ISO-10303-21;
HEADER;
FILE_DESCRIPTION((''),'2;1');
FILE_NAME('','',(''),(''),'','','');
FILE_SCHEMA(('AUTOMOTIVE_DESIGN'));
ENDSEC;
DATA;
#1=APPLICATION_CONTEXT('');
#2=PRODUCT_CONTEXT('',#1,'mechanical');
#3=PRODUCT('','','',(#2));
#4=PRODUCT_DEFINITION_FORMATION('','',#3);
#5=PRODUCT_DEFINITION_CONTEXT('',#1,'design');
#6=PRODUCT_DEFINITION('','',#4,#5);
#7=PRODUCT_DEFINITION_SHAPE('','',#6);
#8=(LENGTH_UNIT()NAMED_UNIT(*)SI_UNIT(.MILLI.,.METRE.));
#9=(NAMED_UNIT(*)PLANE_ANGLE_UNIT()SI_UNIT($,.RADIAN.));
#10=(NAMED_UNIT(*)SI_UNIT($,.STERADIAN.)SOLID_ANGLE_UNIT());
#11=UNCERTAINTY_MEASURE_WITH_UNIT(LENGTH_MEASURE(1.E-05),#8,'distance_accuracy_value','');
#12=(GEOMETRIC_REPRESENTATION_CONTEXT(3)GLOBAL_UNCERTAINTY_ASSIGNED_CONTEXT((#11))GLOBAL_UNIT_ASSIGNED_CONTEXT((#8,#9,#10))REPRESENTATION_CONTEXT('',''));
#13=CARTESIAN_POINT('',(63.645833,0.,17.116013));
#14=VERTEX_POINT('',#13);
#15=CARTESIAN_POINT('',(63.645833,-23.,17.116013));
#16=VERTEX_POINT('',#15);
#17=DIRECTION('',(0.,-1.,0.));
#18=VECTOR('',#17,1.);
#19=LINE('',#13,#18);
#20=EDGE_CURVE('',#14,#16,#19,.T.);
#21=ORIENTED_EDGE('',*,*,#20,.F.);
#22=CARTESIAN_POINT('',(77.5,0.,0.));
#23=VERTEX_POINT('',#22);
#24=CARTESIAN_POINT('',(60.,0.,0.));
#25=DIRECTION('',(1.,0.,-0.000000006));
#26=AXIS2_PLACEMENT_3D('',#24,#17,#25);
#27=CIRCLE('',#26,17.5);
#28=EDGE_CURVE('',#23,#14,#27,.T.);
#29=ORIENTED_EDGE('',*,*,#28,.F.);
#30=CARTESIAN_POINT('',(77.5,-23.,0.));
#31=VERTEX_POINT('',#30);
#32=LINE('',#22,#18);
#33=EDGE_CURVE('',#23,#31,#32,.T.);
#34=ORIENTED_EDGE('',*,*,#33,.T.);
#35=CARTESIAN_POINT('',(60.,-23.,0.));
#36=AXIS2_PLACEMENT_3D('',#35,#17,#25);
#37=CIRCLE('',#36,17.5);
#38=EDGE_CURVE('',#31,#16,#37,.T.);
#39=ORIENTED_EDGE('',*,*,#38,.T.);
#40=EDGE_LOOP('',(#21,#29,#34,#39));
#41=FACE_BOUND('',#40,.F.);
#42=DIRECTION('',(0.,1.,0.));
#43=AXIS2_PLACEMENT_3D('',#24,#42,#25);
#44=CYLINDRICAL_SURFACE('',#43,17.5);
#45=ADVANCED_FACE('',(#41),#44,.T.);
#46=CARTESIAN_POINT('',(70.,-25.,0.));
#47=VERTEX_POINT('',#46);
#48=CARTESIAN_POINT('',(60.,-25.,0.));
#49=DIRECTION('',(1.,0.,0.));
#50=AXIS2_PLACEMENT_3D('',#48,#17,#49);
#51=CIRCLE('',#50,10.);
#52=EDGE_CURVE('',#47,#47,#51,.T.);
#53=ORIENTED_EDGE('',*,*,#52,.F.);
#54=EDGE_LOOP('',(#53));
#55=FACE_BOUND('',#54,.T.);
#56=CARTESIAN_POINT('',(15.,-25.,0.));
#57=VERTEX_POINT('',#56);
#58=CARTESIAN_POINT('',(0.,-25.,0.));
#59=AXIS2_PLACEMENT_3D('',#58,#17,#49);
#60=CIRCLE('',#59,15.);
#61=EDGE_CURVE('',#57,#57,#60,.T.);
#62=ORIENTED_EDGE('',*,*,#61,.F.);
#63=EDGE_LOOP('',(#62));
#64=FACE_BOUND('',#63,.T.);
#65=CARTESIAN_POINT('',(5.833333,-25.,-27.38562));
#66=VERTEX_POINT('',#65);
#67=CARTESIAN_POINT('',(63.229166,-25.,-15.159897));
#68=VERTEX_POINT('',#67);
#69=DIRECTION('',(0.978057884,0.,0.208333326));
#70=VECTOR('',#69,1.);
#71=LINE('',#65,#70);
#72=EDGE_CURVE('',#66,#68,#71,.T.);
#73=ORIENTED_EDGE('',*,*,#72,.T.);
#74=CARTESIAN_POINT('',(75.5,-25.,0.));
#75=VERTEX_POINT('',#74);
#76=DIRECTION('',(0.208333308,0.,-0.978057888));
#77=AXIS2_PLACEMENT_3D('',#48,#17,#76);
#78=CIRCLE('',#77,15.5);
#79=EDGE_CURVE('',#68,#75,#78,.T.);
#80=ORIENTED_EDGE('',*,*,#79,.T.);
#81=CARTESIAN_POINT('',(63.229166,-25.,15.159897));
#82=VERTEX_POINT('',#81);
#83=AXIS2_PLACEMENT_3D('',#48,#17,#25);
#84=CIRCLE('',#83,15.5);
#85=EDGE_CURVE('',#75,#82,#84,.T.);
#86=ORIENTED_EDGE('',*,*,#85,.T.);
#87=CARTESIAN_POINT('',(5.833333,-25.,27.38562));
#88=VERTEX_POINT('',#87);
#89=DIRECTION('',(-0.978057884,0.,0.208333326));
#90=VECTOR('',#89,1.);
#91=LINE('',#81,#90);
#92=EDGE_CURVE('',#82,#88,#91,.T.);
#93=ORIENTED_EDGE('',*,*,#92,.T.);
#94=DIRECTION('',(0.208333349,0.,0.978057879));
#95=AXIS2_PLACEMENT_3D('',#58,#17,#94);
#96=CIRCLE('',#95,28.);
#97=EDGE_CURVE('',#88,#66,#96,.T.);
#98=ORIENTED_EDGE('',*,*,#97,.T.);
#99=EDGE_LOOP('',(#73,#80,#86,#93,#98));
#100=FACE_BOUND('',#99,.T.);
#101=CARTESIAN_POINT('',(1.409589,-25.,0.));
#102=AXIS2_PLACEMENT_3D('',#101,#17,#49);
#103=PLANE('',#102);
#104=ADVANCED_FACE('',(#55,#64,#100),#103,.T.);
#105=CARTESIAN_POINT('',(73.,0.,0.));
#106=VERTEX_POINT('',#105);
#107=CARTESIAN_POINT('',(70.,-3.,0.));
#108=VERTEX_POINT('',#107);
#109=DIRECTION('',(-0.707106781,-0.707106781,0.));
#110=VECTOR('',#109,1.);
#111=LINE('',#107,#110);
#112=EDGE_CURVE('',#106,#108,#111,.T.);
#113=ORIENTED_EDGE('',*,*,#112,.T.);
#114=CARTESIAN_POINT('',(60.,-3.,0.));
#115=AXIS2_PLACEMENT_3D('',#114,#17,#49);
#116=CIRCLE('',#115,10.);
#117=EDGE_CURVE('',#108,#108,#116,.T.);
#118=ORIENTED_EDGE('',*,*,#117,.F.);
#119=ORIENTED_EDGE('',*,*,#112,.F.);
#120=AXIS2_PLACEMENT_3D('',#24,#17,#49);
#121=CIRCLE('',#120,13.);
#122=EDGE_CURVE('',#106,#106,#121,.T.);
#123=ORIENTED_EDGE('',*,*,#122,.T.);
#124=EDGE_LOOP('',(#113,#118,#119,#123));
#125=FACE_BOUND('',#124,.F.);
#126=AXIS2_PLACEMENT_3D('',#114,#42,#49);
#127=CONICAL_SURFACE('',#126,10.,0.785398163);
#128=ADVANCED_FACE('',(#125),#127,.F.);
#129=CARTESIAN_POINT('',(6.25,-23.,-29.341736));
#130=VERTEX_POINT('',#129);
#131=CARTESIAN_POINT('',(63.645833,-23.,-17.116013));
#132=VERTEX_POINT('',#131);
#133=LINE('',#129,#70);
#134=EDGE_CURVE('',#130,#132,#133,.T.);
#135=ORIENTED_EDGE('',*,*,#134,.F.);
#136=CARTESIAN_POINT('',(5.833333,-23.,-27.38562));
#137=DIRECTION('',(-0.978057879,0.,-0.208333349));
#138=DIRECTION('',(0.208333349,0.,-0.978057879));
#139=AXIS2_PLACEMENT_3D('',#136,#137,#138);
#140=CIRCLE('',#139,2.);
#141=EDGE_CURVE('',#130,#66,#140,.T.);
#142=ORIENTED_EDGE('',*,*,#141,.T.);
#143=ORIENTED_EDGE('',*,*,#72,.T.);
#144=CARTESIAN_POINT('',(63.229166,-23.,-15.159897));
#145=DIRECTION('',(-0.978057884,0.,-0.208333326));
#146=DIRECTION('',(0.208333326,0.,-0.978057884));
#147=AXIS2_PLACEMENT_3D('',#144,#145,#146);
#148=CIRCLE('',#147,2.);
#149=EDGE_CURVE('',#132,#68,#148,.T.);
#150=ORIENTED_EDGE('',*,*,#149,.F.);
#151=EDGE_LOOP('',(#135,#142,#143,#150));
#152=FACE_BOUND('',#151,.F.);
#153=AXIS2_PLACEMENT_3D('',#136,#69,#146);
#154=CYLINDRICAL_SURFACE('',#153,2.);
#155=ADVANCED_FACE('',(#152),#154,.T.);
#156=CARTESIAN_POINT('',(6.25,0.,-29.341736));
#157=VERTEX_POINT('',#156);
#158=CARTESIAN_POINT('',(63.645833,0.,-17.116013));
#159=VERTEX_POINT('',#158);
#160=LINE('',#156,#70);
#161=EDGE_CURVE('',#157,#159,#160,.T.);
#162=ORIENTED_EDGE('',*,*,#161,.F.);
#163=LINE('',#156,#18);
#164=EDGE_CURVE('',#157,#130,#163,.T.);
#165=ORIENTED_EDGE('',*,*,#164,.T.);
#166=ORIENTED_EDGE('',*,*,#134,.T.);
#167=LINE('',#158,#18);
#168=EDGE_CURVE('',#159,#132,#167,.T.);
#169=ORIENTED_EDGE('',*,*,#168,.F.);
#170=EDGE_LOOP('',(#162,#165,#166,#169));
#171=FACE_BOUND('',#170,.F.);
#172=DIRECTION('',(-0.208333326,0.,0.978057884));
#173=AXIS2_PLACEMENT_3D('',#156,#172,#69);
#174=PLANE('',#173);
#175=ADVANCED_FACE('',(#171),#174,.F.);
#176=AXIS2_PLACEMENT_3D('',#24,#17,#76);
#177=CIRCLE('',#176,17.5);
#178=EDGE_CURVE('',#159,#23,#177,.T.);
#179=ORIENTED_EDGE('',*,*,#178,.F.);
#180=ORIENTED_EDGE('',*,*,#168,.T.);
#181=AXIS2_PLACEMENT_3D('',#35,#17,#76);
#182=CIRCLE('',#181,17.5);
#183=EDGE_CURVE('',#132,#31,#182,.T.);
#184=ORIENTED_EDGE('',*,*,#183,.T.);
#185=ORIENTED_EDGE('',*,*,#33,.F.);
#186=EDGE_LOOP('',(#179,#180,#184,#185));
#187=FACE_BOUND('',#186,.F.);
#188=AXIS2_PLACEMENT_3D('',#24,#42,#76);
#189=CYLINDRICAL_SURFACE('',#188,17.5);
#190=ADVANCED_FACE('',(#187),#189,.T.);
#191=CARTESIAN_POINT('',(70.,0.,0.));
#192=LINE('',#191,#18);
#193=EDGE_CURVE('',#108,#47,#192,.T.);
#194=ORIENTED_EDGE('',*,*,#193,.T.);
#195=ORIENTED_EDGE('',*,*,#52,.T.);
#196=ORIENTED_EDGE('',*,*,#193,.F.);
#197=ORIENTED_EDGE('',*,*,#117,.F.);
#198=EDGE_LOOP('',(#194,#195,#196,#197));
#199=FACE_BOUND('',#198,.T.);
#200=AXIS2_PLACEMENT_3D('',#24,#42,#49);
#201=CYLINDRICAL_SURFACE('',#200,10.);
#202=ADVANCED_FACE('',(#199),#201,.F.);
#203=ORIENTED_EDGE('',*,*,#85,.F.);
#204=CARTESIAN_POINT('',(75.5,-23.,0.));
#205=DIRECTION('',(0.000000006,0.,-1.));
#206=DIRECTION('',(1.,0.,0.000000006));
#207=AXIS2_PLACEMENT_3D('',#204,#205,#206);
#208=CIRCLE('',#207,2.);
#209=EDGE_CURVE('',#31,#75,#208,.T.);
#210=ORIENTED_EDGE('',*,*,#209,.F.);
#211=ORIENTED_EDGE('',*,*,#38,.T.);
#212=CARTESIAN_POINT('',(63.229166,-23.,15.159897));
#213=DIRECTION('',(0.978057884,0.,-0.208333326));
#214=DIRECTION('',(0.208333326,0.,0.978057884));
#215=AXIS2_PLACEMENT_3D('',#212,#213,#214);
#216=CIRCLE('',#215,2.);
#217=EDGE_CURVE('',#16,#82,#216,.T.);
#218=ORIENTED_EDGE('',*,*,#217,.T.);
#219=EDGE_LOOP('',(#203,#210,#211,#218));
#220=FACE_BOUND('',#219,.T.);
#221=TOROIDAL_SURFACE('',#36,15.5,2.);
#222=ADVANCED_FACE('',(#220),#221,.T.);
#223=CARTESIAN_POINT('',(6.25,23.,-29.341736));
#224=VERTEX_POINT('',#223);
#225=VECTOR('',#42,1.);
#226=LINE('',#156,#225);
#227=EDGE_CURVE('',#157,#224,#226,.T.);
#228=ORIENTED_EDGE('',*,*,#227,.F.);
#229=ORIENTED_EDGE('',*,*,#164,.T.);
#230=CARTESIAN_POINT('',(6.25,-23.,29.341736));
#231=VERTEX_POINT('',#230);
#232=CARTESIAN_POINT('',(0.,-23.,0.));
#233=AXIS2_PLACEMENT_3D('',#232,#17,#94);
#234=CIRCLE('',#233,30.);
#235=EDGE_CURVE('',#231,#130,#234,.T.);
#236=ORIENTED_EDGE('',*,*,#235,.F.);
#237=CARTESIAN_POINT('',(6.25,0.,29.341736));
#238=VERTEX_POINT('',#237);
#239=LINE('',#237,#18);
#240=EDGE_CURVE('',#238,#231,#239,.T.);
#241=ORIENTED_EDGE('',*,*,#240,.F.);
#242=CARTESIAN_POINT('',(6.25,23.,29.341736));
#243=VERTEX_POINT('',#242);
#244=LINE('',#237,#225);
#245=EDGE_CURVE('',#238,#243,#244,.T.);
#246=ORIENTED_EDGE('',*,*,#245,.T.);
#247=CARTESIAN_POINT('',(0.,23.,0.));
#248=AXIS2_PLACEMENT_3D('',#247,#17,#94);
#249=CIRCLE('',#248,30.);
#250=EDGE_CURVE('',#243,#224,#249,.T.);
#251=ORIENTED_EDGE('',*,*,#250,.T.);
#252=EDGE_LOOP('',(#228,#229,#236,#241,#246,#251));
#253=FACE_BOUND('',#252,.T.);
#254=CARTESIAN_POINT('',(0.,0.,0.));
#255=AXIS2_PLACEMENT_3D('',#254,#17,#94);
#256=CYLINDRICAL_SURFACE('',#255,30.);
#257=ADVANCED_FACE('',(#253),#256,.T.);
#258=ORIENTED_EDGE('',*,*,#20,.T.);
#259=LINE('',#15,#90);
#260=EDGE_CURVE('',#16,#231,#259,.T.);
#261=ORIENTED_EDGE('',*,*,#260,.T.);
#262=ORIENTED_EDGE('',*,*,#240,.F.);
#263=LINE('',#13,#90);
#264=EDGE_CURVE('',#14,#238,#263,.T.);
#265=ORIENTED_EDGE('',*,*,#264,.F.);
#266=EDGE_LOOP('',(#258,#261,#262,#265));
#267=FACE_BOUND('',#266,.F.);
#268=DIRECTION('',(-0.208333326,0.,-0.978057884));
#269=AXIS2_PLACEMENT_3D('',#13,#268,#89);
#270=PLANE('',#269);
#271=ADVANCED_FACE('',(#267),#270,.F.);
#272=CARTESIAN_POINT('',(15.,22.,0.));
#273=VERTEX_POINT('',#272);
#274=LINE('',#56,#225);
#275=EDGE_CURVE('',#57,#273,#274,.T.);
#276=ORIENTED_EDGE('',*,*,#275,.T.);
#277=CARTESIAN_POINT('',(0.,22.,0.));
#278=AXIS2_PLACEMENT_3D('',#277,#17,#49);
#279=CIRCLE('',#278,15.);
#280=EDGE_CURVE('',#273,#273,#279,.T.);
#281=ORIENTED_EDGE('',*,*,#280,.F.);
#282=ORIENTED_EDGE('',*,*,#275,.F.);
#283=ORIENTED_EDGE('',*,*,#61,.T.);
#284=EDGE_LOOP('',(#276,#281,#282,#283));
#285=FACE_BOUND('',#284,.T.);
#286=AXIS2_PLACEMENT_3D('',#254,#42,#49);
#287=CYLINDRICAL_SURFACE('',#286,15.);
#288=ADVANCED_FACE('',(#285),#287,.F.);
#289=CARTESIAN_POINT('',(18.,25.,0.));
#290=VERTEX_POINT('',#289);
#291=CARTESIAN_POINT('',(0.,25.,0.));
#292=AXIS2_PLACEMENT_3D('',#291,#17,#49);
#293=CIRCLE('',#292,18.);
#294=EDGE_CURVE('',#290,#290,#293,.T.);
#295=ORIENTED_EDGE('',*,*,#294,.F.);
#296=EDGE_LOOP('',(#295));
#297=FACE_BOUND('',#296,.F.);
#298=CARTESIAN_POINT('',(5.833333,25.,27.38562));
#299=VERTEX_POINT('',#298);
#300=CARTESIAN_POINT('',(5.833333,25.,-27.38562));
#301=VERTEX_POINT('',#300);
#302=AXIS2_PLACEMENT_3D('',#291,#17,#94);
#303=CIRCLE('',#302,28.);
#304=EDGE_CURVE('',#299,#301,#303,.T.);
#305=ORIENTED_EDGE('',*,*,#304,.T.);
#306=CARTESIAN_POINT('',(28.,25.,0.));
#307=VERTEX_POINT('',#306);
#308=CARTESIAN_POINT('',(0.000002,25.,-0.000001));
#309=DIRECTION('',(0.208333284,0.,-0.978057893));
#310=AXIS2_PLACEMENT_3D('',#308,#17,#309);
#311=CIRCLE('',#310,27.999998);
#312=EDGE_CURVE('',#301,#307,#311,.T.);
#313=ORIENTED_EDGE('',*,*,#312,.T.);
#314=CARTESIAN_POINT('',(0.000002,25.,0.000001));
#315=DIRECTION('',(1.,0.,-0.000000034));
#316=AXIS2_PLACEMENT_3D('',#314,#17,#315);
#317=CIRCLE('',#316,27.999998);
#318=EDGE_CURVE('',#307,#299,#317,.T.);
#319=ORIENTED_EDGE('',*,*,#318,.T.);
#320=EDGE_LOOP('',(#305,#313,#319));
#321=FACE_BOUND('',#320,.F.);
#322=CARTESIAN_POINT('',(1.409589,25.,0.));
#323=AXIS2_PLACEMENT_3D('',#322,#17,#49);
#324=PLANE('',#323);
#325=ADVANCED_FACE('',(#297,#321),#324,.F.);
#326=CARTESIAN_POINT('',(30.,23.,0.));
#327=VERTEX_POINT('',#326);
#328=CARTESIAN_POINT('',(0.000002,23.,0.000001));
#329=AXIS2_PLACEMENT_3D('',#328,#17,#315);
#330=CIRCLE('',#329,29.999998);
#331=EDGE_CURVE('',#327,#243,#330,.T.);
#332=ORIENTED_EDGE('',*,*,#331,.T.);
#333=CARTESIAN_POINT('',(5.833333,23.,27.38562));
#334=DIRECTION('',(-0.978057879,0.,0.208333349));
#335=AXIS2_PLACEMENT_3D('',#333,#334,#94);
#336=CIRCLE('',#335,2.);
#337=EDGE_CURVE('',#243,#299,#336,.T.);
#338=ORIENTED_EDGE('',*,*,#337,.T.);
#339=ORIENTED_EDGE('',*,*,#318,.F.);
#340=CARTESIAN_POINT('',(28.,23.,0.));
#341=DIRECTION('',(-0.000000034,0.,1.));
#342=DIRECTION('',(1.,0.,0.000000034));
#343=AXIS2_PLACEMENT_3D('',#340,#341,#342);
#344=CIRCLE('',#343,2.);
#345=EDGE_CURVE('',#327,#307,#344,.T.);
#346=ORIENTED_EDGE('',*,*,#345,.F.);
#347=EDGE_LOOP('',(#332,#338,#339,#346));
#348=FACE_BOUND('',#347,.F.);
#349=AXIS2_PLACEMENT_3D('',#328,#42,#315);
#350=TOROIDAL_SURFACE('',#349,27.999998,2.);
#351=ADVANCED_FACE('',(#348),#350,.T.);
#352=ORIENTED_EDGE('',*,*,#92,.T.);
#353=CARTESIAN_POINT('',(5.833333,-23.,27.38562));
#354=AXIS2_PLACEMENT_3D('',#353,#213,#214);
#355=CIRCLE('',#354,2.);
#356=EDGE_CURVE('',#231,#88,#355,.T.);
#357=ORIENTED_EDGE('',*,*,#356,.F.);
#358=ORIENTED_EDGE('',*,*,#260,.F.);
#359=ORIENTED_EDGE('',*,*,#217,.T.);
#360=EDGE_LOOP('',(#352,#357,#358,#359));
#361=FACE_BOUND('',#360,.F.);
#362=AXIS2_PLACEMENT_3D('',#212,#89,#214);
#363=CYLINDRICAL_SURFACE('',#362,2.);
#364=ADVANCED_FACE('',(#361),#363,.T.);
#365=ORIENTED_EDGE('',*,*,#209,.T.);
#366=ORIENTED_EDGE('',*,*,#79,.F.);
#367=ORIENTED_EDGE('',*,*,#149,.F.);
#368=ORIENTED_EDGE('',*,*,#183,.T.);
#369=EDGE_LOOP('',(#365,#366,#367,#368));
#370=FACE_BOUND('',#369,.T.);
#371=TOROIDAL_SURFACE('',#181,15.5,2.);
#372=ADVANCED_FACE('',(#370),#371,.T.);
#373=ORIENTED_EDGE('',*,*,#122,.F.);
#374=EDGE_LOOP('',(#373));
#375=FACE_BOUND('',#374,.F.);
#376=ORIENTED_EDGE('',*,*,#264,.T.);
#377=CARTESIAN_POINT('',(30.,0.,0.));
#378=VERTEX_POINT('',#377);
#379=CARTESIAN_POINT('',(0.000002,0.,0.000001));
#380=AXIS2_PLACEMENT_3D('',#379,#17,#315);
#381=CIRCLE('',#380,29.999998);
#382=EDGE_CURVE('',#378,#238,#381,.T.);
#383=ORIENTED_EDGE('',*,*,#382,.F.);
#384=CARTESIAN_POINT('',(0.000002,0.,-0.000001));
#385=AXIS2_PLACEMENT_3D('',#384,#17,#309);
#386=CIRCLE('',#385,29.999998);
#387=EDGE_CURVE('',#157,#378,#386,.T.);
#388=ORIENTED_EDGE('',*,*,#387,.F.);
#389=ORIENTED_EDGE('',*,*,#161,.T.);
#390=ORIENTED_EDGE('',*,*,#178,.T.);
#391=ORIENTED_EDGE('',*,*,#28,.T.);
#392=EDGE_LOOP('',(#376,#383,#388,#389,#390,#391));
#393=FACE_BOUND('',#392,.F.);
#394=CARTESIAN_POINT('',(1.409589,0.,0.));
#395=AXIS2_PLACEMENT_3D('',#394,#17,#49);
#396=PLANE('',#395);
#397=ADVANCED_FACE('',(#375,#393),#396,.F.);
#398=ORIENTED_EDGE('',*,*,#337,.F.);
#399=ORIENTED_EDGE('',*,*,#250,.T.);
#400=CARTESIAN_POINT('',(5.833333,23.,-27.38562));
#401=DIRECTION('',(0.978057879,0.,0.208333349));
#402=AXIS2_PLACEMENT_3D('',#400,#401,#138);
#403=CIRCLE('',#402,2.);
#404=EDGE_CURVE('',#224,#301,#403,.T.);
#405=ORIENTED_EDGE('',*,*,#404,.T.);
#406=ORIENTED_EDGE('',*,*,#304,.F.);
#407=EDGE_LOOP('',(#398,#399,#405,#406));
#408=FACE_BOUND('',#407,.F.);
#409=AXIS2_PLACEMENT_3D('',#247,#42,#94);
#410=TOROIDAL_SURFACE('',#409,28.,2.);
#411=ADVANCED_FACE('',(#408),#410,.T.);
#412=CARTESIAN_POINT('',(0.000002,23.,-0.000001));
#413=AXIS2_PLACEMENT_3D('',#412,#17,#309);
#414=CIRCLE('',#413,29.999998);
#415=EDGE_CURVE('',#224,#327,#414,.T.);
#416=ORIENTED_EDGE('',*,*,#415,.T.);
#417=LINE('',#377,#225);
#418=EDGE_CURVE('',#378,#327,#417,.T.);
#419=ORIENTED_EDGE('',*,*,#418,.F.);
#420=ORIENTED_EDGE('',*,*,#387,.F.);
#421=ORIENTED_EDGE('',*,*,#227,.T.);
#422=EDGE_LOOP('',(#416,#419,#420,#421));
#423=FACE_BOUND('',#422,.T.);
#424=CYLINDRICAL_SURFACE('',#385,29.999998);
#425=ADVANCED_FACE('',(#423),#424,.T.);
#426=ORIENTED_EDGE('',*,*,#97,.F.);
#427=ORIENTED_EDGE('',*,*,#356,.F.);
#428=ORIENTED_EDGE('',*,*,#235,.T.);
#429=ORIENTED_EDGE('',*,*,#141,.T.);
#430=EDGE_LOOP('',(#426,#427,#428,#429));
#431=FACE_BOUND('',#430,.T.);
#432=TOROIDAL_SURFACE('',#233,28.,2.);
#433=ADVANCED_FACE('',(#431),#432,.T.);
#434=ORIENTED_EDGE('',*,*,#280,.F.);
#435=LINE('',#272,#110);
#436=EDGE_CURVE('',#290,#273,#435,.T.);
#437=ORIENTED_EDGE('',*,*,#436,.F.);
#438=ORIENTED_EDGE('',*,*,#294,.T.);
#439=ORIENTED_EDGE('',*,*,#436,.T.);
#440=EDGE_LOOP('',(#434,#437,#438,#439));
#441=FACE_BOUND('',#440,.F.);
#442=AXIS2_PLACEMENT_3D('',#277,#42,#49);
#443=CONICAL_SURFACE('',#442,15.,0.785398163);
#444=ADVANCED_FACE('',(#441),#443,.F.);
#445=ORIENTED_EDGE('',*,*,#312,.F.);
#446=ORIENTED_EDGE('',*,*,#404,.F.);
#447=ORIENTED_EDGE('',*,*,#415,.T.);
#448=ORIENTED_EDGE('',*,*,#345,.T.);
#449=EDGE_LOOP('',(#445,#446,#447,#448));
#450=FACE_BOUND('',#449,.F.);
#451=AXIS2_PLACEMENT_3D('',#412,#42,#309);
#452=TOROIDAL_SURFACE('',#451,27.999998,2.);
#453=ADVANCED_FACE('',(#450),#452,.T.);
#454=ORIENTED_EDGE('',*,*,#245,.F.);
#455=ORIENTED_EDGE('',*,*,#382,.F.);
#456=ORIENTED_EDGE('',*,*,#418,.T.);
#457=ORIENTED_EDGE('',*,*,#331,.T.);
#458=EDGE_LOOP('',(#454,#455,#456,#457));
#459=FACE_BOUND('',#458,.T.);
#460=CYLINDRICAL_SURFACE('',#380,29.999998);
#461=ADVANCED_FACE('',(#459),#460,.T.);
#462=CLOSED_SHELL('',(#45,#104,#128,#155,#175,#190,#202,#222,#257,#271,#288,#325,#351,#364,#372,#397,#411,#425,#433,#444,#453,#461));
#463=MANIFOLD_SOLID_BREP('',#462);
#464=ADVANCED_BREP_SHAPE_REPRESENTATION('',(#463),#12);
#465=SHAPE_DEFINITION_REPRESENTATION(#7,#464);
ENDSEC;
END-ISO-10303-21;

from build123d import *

# Parameters (mm, degrees)
F0_R     = 15
F0_R_2   = 10
F1_DEPTH = 25
F2_DEPTH = 25
F3_R     = 2
F4_SIZE  = 3


with BuildPart() as f1:
    # F0 (on Front) → F1 (new body)
    with BuildSketch(Plane.XZ):
        with BuildLine():
            ThreePointArc((6.25, -29.341736), (23.318448, -18.874586), (30, 0))
            ThreePointArc((30, 0), (23.318448, 18.874586), (6.25, 29.341736))
            ThreePointArc((6.25, 29.341736), (-30, 0), (6.25, -29.341736))
        make_face()
        Circle(F0_R, mode=Mode.SUBTRACT)
        with BuildLine():
            ThreePointArc((6.25, 29.341736), (23.318448, 18.874586), (30, 0))
            ThreePointArc((30, 0), (23.318448, -18.874586), (6.25, -29.341736))
            Line((6.25, -29.341736), (63.645833, -17.116013))
            ThreePointArc((63.645833, -17.116013), (42.5, 0), (63.645833, 17.116013))
            Line((63.645833, 17.116013), (6.25, 29.341736))
        make_face()
        with BuildLine():
            ThreePointArc((77.5, 0), (73.602428, 11.010175), (63.645833, 17.116013))
            ThreePointArc((63.645833, 17.116013), (42.5, 0), (63.645833, -17.116013))
            ThreePointArc((63.645833, -17.116013), (73.602428, -11.010175), (77.5, 0))
        make_face()
        with Locations((60, 0)):
            Circle(F0_R_2, mode=Mode.SUBTRACT)
    extrude(amount=F1_DEPTH)

    # F0 (on Front) → F2 (join)
    with BuildSketch(Plane.XZ):
        with BuildLine():
            ThreePointArc((6.25, -29.341736), (23.318448, -18.874586), (30, 0))
            ThreePointArc((30, 0), (23.318448, 18.874586), (6.25, 29.341736))
            ThreePointArc((6.25, 29.341736), (-30, 0), (6.25, -29.341736))
        make_face()
        Circle(F0_R, mode=Mode.SUBTRACT)
    extrude(amount=-F2_DEPTH)

    # F3
    f3_edges = [f1.edges().sort_by_distance(p)[0] for p in [
        (-6.25, 25, 29.341736),
        (34.947917, -25, 23.228875),
    ]]
    fillet(f3_edges, radius=F3_R)

    # F4
    f4_edges = [f1.edges().sort_by_distance(p)[0] for p in [
        (-15, 25, 0),
        (50, 0, 0),
    ]]
    chamfer(f4_edges, length=F4_SIZE)


solid = f1.part
